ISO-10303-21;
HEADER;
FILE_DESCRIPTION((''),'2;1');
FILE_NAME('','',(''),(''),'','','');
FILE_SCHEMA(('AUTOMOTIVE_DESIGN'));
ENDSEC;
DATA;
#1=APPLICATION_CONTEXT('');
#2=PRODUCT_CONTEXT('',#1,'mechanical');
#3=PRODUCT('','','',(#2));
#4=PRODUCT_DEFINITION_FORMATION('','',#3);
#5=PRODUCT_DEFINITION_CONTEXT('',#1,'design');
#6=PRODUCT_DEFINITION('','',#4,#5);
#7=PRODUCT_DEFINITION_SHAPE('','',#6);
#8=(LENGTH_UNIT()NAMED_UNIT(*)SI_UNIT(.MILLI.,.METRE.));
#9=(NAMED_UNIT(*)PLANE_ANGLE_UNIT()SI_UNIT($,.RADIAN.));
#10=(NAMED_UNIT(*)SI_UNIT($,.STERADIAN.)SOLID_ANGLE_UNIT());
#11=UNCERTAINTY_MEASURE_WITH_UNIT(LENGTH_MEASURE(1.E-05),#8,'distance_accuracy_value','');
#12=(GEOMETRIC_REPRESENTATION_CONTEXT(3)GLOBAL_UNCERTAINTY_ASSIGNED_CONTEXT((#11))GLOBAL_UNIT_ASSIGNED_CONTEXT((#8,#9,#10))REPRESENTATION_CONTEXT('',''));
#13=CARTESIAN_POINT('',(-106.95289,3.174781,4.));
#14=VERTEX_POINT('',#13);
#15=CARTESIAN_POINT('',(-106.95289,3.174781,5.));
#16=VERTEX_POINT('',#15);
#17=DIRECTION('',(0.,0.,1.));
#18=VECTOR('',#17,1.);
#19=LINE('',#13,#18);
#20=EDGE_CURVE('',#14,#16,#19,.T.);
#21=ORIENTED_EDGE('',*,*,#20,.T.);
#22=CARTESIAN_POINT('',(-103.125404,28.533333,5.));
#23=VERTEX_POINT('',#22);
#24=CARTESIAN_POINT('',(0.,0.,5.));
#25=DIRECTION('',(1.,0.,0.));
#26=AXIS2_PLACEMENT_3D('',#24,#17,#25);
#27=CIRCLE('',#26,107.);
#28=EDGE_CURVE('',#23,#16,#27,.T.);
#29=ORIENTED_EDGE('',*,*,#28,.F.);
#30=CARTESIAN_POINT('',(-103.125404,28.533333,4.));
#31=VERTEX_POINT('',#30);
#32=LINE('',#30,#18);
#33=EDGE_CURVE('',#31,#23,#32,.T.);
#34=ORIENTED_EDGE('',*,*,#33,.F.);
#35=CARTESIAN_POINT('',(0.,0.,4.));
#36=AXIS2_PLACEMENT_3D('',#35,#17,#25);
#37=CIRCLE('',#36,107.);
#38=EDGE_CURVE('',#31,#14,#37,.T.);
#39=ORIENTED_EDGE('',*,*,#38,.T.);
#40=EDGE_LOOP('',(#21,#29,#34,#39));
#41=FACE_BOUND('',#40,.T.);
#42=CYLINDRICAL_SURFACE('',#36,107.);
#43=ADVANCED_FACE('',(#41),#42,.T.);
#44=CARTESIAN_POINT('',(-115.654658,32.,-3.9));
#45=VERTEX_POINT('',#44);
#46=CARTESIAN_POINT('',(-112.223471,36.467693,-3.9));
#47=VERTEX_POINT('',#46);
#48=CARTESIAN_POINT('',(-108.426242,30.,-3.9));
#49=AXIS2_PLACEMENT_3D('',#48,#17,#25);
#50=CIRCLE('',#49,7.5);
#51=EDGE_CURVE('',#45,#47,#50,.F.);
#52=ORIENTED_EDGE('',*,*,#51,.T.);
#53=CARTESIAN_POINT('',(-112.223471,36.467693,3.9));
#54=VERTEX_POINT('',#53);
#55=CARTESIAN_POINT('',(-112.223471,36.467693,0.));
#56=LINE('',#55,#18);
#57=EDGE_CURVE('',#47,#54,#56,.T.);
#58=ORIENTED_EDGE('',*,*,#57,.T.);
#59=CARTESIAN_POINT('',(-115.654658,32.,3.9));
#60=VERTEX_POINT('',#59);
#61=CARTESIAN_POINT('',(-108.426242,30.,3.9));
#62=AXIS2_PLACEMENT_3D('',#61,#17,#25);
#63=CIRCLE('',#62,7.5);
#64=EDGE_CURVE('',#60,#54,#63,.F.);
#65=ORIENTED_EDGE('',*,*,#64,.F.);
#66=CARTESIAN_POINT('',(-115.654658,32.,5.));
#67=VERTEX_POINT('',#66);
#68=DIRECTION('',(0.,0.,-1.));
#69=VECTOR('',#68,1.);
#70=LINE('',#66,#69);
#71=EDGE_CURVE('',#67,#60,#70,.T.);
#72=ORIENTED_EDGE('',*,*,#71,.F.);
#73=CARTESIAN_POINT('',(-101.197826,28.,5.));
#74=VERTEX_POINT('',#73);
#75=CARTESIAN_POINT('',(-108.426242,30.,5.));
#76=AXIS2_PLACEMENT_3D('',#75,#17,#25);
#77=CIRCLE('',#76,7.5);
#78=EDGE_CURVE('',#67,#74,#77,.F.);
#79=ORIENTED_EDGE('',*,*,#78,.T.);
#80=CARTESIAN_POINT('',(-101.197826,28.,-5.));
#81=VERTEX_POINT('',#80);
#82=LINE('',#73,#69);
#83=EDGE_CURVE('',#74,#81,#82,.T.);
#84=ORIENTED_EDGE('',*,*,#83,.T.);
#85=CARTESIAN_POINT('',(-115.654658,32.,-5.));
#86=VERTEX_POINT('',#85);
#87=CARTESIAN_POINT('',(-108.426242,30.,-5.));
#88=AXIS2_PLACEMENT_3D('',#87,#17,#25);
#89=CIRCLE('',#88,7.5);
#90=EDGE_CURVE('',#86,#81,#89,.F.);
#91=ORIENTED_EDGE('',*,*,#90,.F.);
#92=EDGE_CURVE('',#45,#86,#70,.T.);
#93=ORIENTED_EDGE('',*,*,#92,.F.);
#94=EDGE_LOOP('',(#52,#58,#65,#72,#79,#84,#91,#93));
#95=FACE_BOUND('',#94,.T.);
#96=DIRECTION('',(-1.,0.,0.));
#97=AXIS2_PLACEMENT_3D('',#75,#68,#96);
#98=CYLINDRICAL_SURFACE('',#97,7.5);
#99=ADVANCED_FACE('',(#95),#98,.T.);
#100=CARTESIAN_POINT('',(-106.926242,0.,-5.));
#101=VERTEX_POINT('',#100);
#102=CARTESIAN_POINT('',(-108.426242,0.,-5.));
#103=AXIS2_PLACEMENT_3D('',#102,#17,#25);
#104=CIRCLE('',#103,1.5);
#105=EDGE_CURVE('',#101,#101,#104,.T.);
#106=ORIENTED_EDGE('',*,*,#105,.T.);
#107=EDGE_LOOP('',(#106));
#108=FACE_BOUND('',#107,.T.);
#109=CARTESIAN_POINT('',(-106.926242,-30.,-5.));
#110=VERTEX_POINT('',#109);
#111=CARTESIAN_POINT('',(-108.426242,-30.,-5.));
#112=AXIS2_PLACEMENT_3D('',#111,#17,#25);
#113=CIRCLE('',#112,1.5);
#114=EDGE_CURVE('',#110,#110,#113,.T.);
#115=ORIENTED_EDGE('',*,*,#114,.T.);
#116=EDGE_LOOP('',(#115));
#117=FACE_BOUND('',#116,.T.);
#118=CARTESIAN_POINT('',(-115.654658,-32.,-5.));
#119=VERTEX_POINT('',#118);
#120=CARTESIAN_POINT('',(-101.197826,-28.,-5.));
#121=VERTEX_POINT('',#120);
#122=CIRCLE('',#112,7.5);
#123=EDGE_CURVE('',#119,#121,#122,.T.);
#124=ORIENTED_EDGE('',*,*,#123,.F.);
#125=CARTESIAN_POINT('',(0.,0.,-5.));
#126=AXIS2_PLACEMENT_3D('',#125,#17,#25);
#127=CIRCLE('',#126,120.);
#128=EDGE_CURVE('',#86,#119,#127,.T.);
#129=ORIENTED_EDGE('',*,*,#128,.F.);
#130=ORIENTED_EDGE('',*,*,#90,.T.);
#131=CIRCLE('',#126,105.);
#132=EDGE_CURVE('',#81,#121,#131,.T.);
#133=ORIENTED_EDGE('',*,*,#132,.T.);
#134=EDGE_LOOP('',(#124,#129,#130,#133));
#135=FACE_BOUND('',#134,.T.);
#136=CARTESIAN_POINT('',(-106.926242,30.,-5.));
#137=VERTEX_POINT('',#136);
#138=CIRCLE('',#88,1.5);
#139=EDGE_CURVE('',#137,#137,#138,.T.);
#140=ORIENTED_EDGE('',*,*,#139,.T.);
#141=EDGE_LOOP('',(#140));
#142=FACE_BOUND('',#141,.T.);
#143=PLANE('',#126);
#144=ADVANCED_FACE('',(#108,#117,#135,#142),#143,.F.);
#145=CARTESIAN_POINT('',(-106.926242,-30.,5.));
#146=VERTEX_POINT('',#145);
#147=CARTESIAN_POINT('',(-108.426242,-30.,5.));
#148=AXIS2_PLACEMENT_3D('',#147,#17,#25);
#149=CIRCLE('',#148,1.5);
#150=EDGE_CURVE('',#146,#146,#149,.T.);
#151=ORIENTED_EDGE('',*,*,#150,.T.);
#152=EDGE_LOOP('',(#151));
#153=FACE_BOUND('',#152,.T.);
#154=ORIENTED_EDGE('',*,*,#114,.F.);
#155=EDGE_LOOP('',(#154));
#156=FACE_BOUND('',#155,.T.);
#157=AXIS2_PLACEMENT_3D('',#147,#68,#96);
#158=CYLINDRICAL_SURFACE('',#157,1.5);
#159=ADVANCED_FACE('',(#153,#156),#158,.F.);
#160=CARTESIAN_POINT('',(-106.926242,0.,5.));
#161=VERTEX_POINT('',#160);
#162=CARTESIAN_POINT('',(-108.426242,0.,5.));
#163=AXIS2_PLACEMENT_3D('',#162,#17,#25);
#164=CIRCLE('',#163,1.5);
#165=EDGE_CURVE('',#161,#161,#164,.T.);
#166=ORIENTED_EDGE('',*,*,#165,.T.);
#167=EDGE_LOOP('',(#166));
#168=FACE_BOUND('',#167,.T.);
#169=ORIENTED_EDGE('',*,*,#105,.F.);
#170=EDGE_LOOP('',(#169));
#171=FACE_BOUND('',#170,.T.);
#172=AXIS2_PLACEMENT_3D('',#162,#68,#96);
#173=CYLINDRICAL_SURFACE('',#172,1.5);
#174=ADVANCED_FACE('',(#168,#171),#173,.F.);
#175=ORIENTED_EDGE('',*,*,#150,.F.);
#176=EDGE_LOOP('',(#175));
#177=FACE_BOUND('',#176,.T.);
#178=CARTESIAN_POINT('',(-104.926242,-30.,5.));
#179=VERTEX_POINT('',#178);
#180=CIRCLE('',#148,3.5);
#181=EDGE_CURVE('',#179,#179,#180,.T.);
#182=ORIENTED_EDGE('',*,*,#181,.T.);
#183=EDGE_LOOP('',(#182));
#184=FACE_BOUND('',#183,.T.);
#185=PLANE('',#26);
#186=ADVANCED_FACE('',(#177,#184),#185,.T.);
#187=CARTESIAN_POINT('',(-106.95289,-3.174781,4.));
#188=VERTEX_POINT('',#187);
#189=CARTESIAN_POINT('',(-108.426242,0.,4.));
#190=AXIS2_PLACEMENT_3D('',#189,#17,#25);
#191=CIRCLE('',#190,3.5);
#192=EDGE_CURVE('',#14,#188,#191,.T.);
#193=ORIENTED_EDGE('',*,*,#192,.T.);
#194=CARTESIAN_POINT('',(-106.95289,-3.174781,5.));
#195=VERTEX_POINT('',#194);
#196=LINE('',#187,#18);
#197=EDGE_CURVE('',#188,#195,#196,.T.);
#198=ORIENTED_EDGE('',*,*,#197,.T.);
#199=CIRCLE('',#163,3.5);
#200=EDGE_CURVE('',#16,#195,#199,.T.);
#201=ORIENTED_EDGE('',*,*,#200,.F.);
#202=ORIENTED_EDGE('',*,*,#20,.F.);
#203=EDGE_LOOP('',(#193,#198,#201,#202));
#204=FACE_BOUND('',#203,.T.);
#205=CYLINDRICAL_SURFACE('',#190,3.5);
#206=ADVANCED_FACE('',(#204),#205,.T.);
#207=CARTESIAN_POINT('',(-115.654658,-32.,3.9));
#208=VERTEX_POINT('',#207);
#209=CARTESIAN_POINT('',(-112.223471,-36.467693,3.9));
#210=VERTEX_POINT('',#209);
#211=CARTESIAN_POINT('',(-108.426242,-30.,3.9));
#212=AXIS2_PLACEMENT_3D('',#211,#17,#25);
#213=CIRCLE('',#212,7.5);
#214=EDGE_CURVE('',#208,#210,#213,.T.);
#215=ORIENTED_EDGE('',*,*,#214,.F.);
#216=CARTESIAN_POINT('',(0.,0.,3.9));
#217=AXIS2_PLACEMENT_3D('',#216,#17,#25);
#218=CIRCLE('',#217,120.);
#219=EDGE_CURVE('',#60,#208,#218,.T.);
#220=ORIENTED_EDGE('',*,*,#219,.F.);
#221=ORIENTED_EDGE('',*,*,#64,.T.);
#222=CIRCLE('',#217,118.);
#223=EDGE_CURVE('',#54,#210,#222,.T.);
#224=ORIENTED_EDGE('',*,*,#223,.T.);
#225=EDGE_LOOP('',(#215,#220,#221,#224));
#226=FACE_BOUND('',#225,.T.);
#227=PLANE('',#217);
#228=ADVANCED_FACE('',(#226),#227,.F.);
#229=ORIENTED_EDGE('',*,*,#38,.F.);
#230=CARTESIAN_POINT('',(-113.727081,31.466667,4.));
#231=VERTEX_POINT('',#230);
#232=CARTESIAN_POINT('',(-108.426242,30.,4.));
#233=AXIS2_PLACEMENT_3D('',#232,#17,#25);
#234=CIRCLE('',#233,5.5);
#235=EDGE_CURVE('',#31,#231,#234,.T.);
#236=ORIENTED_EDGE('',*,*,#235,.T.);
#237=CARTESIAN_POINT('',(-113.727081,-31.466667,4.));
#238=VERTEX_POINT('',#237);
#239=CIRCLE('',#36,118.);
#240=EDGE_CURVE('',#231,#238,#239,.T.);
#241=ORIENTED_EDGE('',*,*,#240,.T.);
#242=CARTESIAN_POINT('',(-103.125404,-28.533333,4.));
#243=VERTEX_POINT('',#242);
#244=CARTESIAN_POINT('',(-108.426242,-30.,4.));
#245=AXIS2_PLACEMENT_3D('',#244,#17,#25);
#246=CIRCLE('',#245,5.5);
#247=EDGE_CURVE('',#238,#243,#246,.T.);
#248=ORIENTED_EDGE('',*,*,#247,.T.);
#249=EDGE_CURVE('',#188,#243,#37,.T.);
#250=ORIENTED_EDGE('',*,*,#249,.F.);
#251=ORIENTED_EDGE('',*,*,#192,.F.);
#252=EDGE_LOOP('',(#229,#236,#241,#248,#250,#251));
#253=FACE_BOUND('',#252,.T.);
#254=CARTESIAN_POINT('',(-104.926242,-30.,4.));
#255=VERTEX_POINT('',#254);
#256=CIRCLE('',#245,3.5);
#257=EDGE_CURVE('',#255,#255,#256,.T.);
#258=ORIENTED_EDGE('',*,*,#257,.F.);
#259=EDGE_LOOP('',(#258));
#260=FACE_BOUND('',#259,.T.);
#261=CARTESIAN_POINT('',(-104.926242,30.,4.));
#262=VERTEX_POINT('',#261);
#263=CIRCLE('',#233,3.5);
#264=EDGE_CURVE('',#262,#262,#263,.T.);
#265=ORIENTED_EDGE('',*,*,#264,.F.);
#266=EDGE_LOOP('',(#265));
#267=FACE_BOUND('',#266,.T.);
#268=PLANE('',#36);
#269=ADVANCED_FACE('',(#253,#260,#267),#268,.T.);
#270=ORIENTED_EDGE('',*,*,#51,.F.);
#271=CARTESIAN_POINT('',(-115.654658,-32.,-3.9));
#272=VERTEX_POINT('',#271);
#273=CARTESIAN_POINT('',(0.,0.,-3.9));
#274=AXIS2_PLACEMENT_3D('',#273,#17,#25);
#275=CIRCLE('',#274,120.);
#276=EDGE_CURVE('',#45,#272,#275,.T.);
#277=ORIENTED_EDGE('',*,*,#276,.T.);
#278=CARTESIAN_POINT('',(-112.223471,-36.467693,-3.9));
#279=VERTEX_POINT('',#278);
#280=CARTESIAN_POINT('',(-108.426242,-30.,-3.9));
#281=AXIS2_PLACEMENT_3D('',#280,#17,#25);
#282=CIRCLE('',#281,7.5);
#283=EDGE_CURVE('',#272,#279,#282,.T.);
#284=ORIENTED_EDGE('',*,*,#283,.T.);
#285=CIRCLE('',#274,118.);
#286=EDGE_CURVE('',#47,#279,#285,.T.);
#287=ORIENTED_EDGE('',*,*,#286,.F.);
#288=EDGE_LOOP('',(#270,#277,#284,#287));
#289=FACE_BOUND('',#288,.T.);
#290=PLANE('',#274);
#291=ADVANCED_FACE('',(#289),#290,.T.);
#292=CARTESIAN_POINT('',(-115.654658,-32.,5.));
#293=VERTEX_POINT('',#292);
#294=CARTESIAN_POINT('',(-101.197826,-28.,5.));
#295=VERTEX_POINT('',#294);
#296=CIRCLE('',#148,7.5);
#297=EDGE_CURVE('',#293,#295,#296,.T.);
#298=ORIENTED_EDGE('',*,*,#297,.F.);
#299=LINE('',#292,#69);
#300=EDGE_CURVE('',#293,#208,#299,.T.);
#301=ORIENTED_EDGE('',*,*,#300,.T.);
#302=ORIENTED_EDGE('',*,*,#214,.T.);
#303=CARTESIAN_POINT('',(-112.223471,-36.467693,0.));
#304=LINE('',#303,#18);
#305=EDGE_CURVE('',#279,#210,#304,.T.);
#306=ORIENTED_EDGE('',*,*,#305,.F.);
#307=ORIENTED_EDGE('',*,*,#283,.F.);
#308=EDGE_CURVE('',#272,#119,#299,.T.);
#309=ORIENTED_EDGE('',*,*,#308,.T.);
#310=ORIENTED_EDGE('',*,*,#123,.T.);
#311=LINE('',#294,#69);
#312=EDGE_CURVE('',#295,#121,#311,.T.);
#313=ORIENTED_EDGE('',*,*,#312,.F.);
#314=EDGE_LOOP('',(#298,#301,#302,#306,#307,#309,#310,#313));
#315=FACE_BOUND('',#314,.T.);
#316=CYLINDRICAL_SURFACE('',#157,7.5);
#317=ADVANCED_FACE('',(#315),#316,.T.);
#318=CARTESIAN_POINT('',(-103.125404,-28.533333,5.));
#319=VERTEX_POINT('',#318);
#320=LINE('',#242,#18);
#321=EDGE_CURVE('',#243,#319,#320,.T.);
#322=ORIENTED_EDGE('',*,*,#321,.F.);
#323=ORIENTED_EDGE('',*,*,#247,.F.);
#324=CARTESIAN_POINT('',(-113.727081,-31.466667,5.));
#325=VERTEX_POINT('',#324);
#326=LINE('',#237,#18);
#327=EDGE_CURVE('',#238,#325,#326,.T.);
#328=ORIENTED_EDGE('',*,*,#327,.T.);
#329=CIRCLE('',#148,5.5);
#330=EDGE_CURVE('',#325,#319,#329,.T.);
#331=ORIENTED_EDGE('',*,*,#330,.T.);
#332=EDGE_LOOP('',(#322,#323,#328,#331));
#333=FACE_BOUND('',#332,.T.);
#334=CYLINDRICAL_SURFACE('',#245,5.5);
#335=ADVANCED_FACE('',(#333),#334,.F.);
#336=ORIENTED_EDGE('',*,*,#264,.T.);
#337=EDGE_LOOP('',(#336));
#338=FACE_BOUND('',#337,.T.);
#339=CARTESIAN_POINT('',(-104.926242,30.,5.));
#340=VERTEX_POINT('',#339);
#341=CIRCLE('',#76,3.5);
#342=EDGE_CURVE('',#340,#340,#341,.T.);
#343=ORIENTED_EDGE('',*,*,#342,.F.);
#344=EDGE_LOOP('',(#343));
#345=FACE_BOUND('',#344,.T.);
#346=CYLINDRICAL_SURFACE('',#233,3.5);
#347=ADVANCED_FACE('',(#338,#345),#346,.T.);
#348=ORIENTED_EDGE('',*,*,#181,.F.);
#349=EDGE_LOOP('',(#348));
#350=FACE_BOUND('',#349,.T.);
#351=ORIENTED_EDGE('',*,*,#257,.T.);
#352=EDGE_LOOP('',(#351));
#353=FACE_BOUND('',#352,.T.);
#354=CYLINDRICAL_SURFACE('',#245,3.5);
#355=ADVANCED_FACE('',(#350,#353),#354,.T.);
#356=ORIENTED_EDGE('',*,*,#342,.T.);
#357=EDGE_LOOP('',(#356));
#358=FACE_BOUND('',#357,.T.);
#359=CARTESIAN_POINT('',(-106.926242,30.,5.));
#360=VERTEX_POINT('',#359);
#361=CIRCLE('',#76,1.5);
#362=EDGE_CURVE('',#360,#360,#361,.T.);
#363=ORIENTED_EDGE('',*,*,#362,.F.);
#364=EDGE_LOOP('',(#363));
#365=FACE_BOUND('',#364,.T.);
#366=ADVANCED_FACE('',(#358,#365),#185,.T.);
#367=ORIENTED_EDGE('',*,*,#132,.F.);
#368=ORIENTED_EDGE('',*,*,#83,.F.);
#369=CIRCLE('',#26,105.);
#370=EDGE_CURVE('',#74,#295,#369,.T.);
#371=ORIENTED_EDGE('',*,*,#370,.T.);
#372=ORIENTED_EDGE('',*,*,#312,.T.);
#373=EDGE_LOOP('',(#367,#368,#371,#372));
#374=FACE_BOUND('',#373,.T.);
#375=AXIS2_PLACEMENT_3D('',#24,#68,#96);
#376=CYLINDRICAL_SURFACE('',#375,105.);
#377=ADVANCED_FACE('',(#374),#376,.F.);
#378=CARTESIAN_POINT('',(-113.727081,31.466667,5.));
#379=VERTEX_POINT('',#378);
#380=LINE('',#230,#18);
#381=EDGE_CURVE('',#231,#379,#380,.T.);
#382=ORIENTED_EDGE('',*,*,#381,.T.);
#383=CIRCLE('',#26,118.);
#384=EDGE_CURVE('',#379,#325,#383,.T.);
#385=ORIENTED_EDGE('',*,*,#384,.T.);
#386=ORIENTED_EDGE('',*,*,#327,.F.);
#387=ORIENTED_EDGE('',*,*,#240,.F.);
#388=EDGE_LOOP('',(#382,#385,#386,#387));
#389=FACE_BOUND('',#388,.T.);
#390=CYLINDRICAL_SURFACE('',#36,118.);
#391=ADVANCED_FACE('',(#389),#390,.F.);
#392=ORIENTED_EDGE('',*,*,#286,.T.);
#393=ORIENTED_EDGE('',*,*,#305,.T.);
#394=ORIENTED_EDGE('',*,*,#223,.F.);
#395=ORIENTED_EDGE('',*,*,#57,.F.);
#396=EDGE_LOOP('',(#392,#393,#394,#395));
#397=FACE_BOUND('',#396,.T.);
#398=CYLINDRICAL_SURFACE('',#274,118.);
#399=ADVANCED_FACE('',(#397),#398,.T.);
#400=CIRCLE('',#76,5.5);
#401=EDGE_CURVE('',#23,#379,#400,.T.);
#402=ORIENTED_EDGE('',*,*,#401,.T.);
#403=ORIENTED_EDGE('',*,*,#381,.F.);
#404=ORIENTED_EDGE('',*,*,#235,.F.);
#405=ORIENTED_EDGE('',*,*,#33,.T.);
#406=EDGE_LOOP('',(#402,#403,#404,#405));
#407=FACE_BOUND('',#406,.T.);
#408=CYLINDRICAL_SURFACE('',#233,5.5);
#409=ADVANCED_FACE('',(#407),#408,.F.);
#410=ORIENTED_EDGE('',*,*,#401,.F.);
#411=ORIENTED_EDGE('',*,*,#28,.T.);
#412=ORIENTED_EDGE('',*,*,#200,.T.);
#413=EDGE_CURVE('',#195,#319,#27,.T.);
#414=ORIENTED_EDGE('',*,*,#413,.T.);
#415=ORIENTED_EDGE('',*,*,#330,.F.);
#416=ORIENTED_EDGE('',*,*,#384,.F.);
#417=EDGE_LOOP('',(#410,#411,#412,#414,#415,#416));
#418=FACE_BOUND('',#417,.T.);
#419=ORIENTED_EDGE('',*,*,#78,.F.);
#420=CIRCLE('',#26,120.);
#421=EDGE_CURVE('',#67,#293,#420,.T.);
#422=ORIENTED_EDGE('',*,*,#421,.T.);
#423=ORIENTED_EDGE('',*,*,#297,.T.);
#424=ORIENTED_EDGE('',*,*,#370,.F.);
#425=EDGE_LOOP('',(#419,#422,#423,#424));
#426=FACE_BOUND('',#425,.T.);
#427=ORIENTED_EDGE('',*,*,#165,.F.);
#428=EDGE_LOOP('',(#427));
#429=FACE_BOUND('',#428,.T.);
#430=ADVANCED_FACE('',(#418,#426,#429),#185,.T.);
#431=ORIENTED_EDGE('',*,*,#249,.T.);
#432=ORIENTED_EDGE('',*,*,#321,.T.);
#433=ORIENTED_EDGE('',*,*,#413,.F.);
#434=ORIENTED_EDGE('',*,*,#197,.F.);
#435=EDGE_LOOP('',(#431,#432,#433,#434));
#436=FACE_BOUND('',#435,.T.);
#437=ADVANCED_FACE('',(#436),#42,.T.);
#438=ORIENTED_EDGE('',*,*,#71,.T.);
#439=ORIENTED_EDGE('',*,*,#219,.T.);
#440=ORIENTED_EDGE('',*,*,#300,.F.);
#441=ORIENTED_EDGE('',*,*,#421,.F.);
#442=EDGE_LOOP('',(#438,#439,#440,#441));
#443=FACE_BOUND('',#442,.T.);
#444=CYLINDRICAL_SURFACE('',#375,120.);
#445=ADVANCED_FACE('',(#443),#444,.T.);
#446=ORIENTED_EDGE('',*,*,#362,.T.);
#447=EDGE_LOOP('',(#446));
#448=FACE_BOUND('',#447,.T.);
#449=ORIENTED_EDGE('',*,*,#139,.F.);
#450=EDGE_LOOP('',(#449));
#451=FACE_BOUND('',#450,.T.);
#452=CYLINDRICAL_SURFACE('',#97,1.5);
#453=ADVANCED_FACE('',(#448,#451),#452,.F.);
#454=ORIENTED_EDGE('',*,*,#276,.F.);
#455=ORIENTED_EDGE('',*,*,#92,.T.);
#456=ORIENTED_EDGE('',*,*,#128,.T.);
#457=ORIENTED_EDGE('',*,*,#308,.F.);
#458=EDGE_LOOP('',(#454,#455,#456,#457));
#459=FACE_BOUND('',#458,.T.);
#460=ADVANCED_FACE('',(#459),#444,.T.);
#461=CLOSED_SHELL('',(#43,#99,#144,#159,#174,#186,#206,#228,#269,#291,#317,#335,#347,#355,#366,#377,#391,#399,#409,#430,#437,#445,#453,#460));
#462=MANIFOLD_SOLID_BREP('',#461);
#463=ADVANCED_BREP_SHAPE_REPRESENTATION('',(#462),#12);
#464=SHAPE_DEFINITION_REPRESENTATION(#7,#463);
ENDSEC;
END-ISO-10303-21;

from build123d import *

# Parameters (mm, degrees)
SKETCH1_R           = 1.5
BOSS_EXTRUDE1_DEPTH = 5
SKETCH2_R           = 3.5
CUT_EXTRUDE1_DEPTH  = 1
CUT_EXTRUDE2_DEPTH  = 3.9


with BuildPart() as part:
    # Sketch1 → Boss-Extrude1 (new, symmetric)
    with BuildSketch(Plane.XY):
        with BuildLine():
            ThreePointArc((-101.197826064, -28), (-105, 0), (-101.197826064, 28))
            ThreePointArc((-101.197826064, 28), (-106.426242211, 37.228416147), (-115.654658358, 32))
            ThreePointArc((-115.654658358, 32), (-120, 0), (-115.654658358, -32))
            ThreePointArc((-115.654658358, -32), (-106.426242211, -37.228416147), (-101.197826064, -28))
        make_face()
        with Locations((-108.426242211, -30)):
            Circle(SKETCH1_R, mode=Mode.SUBTRACT)
        with Locations((-108.426242211, 0)):
            Circle(SKETCH1_R, mode=Mode.SUBTRACT)
        with Locations((-108.426242211, 30)):
            Circle(SKETCH1_R, mode=Mode.SUBTRACT)
    extrude(amount=BOSS_EXTRUDE1_DEPTH, both=True)

    # Sketch2 → Cut-Extrude1 (cut)
    with BuildSketch(Plane.XY.offset(5)):
        with BuildLine():
            ThreePointArc((-103.125403703, 28.533333333), (-106.959575544, 35.300838508), (-113.727080719, 31.466666667))
            ThreePointArc((-113.727080719, 31.466666667), (-118, 0), (-113.727080719, -31.466666667))
            ThreePointArc((-113.727080719, -31.466666667), (-106.959575544, -35.300838508), (-103.125403703, -28.533333333))
            ThreePointArc((-103.125403703, -28.533333333), (-105.801637311, -15.969143446), (-106.952890403, -3.174781008))
            ThreePointArc((-106.952890403, -3.174781008), (-111.926242211, 0), (-106.952890403, 3.174781008))
            ThreePointArc((-106.952890403, 3.174781008), (-105.801637311, 15.969143446), (-103.125403703, 28.533333333))
        make_face()
        with Locations((-108.426242211, -30)):
            Circle(SKETCH2_R, mode=Mode.SUBTRACT)
        with Locations((-108.426242211, 30)):
            Circle(SKETCH2_R, mode=Mode.SUBTRACT)
    extrude(amount=-CUT_EXTRUDE1_DEPTH, mode=Mode.SUBTRACT)

    # Sketch3 → Cut-Extrude2 (cut, symmetric)
    with BuildSketch(Plane.XY):
        with BuildLine():
            ThreePointArc((-113.727080719, 31.466666667), (-111.610121749, 38.303795152), (-109.082537558, 45))
            Line((-109.082537558, 45), (-139.082537558, 45))
            Line((-139.082537558, 45), (-139.082537558, -45))
            Line((-139.082537558, -45), (-109.082537558, -45))
            ThreePointArc((-109.082537558, -45), (-111.610121749, -38.303795152), (-113.727080719, -31.466666667))
            ThreePointArc((-113.727080719, -31.466666667), (-118, 0), (-113.727080719, 31.466666667))
        make_face()
    extrude(amount=CUT_EXTRUDE2_DEPTH, both=True, mode=Mode.SUBTRACT)


solid = part.part
